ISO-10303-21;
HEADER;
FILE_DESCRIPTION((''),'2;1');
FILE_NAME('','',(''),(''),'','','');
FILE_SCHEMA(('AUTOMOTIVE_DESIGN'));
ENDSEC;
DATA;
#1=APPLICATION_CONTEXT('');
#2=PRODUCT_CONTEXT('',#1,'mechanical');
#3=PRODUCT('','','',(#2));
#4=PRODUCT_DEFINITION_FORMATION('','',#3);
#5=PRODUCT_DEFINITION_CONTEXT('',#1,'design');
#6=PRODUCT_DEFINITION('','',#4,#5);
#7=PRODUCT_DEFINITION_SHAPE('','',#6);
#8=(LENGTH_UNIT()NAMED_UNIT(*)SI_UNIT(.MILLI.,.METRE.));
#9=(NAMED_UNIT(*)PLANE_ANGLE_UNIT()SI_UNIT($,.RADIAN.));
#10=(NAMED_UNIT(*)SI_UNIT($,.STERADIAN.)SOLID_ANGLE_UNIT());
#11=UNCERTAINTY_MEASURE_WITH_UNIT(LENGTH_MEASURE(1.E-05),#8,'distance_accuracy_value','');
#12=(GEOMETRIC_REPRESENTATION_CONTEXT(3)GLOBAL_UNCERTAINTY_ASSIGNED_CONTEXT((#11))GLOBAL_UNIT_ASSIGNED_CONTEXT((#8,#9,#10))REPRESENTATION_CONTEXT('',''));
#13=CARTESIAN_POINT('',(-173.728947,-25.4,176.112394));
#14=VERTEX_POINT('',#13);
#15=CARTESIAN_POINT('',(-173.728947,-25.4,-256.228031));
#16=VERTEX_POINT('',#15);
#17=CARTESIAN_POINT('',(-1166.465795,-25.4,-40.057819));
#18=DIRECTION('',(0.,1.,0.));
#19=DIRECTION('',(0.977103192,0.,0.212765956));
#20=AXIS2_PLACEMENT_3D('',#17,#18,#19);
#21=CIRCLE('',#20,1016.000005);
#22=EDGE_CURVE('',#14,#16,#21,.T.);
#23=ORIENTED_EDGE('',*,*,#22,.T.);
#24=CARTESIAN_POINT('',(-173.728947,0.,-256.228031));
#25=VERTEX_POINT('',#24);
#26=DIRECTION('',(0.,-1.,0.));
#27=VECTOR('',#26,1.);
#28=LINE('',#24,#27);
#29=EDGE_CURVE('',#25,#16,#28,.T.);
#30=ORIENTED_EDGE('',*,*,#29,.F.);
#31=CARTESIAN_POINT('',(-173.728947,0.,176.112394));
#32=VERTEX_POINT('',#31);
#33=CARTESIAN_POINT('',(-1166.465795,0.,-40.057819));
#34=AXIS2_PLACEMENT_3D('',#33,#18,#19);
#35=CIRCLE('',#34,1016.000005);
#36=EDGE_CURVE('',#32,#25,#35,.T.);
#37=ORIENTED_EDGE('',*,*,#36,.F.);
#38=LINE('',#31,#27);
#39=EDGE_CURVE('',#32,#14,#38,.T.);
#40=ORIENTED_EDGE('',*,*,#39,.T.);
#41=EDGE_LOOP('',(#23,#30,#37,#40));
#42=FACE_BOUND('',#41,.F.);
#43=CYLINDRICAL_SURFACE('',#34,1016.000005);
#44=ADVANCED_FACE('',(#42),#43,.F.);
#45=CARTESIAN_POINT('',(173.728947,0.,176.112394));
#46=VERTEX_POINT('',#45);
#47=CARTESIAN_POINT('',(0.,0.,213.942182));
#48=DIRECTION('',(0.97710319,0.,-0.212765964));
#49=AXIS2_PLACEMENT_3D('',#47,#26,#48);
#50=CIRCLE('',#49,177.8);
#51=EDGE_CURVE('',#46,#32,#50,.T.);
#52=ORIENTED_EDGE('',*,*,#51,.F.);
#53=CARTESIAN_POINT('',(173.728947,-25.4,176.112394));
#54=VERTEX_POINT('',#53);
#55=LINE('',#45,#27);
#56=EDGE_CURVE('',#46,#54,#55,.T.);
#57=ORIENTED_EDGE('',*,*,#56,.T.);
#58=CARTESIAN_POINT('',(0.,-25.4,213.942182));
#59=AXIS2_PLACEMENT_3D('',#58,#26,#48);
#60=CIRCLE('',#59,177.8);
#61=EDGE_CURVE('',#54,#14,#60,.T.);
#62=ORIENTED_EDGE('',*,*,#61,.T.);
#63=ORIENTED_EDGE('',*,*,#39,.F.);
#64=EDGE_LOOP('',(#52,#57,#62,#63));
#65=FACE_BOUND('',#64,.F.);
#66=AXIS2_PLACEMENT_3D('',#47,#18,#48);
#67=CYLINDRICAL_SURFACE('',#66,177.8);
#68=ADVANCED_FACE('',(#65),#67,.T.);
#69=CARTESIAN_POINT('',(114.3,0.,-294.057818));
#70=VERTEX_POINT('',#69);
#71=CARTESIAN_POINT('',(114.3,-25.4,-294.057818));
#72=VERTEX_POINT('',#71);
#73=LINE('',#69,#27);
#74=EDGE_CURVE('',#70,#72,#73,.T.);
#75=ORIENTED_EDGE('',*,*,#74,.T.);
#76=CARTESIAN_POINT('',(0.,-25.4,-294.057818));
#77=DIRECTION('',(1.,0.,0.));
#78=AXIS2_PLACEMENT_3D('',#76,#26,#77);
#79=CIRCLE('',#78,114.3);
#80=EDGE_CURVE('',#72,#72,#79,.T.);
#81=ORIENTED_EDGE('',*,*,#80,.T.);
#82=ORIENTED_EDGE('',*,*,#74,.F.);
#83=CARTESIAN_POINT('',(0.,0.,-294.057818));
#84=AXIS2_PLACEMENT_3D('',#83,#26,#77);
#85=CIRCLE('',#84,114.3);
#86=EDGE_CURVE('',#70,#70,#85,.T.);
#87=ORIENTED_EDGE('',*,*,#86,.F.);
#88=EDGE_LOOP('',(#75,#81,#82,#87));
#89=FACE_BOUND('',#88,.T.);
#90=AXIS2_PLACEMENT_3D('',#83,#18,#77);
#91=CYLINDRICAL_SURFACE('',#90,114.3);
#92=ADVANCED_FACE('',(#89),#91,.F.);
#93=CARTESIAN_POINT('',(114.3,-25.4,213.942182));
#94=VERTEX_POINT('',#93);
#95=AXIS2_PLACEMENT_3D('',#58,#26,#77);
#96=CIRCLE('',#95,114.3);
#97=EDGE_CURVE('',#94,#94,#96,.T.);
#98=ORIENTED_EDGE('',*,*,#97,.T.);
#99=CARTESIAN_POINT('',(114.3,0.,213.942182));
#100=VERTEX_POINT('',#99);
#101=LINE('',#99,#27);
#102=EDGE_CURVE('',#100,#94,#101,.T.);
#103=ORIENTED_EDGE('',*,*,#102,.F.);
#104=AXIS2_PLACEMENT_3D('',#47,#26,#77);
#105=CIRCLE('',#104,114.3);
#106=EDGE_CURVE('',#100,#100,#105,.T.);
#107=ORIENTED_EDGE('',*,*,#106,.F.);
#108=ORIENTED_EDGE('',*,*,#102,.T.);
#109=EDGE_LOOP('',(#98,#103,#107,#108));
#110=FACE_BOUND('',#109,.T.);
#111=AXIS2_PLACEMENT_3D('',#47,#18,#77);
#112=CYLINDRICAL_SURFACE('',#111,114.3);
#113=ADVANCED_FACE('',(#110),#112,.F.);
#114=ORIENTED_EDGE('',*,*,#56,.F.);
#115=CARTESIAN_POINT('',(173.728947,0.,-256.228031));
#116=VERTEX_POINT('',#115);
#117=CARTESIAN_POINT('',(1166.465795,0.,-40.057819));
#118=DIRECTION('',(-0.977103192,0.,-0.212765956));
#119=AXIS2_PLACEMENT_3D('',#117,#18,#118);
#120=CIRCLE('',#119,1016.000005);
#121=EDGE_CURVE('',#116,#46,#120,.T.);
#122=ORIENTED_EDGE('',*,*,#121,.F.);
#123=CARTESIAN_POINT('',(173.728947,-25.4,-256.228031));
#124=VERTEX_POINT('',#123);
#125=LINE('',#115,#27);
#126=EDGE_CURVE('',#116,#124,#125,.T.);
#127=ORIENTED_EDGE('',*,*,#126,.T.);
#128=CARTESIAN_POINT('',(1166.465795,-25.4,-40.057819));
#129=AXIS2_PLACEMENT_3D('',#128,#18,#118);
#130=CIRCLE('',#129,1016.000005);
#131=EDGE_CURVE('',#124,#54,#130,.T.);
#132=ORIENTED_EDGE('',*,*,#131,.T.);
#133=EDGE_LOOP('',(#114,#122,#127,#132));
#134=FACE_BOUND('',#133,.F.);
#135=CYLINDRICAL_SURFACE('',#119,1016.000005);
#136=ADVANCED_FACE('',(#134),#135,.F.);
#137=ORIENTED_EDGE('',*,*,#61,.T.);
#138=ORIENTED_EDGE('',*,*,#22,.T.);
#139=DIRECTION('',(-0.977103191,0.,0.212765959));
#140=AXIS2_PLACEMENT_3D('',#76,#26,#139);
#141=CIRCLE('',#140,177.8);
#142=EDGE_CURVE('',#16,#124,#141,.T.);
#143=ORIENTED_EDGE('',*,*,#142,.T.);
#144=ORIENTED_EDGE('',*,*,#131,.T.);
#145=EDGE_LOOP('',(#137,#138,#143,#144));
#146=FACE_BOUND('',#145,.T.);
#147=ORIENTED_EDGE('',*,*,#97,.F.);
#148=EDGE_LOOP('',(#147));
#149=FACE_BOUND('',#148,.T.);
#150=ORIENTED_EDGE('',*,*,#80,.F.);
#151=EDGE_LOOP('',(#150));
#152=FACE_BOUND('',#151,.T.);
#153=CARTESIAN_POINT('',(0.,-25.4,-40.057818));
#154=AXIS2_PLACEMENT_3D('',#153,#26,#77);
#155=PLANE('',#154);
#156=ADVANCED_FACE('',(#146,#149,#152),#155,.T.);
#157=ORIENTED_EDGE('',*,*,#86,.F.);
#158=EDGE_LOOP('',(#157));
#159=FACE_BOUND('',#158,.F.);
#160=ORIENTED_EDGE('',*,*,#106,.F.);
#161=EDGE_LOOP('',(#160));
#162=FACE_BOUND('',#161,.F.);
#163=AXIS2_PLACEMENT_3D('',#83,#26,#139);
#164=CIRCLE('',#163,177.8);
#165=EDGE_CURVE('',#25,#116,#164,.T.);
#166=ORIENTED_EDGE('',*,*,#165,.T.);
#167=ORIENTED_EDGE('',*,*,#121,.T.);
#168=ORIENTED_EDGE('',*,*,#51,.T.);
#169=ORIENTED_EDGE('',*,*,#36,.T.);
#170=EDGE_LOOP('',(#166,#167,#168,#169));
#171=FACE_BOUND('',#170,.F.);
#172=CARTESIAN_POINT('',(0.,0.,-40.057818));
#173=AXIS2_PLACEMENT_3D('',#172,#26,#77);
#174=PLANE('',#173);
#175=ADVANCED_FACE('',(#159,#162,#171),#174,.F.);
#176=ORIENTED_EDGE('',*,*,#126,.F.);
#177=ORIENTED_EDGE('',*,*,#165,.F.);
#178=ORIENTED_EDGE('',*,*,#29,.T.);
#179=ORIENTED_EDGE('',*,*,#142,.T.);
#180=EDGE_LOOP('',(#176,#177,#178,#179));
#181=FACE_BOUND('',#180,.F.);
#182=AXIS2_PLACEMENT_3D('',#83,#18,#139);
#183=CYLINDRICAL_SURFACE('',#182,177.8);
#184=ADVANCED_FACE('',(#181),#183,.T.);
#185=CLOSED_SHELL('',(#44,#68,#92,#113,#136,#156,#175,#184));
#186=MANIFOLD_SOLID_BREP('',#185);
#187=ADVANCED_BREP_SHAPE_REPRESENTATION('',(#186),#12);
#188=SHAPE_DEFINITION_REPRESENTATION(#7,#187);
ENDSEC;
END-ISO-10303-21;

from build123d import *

# Parameters (mm, degrees)
F0_R     = 114.3
F1_DEPTH = 25.4


with BuildPart() as f1:
    # F0 (on Front) → F1 (new body)
    with BuildSketch(Plane.XZ):
        with BuildLine():
            ThreePointArc((173.728947, -256.228031), (150.46579, -40.057818), (173.728947, 176.112394))
            ThreePointArc((173.728947, 176.112394), (0, 391.742182), (-173.728947, 176.112394))
            ThreePointArc((-173.728947, 176.112394), (-150.46579, -40.057818), (-173.728947, -256.228031))
            ThreePointArc((-173.728947, -256.228031), (0, -471.857818), (173.728947, -256.228031))
        make_face()
        with Locations((0, -294.057818)):
            Circle(F0_R, mode=Mode.SUBTRACT)
        with Locations((0, 213.942182)):
            Circle(F0_R, mode=Mode.SUBTRACT)
    extrude(amount=F1_DEPTH)


solid = f1.part
